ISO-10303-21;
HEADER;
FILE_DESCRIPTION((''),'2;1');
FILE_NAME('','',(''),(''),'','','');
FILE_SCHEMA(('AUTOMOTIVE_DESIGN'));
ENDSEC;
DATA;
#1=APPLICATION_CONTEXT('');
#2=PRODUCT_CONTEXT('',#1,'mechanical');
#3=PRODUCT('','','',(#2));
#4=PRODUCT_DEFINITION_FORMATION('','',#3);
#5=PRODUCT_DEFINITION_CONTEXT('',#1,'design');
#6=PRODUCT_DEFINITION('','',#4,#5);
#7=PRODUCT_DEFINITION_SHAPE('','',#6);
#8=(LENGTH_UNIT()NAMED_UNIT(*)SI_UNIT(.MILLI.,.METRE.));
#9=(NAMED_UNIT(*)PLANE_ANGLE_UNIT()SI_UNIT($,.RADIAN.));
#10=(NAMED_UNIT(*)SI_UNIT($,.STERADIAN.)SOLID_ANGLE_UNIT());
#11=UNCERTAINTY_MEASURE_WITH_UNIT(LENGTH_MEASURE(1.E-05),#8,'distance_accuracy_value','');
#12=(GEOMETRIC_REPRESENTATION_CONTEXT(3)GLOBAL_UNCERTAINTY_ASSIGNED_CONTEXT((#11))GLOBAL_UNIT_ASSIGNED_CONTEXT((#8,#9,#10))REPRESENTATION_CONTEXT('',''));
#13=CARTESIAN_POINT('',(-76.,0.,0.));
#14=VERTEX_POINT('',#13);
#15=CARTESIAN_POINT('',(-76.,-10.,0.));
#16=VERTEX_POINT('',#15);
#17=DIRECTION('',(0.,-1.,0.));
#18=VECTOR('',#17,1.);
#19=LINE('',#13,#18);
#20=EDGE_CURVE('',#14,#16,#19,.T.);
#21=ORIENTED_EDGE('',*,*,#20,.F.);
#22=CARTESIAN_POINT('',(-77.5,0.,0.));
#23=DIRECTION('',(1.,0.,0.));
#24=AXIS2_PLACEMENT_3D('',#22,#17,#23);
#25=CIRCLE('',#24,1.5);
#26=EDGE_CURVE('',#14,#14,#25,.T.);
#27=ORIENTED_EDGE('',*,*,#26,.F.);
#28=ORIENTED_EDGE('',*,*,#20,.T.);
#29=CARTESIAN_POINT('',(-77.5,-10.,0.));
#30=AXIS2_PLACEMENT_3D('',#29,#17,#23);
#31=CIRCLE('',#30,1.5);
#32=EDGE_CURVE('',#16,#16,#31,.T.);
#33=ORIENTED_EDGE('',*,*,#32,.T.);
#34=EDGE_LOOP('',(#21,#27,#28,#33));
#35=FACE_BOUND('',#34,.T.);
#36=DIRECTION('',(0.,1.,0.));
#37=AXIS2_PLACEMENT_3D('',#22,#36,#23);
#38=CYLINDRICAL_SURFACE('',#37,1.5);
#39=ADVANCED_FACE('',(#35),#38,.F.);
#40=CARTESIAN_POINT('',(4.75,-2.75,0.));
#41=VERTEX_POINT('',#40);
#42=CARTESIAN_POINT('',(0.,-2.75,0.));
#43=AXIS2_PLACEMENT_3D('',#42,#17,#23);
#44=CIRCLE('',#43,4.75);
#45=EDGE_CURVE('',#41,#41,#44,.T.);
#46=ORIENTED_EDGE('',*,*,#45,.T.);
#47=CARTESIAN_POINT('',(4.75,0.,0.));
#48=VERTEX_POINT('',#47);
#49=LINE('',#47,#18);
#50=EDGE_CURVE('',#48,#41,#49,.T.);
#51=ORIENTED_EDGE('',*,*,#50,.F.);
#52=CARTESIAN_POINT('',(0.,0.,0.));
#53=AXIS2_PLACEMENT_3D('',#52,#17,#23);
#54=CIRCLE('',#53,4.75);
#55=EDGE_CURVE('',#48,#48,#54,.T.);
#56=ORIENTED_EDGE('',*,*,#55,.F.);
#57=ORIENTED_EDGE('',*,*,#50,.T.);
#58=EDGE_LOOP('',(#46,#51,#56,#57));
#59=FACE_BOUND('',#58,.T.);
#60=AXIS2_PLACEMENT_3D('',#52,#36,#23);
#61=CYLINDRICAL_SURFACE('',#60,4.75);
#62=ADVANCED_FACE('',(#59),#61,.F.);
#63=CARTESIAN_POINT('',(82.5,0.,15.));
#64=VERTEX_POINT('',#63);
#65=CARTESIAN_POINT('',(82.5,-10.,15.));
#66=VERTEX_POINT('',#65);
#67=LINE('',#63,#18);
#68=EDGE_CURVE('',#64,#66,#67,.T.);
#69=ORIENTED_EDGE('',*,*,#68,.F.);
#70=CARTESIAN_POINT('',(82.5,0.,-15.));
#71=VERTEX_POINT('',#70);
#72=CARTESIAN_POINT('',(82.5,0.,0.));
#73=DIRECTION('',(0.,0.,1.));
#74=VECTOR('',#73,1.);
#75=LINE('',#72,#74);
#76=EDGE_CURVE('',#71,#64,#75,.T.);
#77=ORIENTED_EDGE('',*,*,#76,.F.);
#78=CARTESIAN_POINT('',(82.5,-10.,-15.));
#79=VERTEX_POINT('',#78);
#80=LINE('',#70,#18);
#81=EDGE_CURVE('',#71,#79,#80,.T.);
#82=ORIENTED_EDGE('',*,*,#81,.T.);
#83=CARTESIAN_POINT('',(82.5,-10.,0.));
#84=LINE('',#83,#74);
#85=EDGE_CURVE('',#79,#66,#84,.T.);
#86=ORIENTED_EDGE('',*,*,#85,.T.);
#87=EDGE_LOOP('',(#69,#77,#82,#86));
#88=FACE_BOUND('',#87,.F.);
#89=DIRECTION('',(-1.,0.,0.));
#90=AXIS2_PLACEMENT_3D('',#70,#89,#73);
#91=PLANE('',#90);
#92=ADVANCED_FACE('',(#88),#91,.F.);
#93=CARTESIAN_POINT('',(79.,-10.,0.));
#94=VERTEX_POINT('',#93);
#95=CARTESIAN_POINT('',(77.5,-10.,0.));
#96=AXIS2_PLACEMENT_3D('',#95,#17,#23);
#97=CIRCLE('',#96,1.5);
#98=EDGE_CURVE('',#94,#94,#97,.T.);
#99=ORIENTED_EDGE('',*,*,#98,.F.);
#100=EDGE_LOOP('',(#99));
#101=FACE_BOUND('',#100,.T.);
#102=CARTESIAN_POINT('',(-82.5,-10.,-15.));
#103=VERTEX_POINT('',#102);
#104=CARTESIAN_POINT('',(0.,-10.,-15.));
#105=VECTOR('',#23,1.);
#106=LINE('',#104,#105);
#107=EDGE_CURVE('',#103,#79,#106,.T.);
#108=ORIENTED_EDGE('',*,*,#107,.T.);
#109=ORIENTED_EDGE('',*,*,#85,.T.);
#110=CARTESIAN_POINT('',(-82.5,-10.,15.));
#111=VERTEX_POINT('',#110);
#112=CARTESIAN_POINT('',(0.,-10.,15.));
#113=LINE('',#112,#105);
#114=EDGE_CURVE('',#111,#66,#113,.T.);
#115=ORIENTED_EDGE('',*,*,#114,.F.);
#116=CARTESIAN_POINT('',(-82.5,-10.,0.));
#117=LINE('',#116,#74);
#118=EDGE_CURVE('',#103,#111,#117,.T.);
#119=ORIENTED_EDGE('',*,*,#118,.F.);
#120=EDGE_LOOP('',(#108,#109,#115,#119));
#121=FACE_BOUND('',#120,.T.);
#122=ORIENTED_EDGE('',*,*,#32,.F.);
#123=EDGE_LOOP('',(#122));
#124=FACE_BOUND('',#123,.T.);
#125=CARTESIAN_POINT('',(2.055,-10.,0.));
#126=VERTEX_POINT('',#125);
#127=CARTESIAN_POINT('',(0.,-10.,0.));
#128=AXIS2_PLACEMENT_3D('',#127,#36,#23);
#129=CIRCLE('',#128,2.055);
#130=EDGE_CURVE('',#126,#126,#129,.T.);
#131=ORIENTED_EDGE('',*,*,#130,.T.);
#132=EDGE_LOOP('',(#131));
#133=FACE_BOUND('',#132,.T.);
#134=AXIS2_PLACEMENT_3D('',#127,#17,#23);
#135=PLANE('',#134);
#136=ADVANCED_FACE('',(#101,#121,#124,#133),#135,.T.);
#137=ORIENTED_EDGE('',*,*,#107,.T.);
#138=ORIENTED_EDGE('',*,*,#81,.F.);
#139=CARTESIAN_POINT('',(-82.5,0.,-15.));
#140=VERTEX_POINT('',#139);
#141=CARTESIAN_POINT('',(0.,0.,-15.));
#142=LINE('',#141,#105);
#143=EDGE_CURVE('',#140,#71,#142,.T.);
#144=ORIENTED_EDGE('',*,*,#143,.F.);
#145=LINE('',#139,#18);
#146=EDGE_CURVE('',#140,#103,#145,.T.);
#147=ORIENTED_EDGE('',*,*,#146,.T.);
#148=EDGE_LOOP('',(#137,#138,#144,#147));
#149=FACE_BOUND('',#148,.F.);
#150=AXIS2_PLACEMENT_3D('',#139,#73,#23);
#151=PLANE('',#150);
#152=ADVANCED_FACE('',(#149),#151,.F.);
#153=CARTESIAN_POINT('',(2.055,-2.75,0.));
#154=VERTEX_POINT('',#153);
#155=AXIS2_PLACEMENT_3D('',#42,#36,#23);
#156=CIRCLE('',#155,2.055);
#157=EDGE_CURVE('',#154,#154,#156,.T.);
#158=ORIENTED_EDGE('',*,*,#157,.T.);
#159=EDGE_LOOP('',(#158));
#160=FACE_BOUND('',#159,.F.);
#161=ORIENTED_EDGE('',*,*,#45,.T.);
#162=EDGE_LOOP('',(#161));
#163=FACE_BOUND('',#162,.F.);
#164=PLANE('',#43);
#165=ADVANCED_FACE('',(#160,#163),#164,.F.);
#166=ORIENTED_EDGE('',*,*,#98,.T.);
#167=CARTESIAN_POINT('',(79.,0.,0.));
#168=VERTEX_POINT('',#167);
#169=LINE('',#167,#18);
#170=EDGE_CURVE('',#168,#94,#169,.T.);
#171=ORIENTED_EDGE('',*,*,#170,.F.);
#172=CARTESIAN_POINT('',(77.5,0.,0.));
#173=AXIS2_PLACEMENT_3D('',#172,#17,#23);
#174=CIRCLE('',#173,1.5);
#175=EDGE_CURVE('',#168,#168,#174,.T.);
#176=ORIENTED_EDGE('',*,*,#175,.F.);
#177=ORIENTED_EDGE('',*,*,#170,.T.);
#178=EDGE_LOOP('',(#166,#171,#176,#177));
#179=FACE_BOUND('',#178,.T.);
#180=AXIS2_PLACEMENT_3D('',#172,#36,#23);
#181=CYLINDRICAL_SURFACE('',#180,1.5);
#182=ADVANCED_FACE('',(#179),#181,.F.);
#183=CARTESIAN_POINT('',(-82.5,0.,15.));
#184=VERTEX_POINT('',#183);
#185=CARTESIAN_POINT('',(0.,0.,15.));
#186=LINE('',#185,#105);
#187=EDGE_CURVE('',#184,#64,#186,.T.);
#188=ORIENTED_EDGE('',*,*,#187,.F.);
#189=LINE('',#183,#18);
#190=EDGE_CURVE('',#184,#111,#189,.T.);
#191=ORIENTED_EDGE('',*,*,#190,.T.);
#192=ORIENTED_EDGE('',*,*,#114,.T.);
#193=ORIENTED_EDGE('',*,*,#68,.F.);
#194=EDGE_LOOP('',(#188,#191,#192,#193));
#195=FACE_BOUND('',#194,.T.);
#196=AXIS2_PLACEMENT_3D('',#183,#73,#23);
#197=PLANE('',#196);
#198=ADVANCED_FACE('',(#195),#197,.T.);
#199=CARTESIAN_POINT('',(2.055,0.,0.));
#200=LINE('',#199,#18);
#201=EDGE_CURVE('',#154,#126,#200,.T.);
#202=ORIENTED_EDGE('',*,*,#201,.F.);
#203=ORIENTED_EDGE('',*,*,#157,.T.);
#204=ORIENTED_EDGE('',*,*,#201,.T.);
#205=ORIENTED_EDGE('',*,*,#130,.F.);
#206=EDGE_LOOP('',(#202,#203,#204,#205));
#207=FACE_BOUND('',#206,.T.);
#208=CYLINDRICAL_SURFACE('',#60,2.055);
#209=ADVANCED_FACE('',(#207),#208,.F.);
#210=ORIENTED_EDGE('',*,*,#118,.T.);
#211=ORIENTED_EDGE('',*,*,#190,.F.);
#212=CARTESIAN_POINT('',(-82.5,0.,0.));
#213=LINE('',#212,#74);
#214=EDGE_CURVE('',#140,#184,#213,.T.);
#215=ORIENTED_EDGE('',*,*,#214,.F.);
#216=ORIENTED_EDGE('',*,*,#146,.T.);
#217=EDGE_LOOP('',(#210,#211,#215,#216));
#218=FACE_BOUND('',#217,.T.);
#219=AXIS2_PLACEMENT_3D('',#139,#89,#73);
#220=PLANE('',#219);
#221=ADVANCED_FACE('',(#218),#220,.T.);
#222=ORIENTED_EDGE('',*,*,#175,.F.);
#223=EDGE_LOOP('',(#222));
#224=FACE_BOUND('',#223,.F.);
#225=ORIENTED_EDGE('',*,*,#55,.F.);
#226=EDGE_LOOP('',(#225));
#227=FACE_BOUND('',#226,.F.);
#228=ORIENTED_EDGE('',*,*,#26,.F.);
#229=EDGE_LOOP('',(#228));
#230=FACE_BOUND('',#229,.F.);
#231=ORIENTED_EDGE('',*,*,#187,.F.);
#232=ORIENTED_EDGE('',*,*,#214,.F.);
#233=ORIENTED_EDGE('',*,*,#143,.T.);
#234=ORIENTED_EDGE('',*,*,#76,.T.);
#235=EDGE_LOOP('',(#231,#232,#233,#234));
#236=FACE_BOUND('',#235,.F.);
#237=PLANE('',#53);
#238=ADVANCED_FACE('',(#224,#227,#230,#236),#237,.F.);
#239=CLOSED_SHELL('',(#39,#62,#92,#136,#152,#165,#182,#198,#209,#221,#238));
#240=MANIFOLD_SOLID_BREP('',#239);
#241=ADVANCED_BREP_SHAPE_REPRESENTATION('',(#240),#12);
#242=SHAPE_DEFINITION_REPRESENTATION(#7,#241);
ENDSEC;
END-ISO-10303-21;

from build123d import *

# Parameters (mm, degrees)
F0_W     = 165
F0_H     = 30
F0_R     = 1.5
F0_R_2   = 4.75
F0_R_3   = 2.055
F1_DEPTH = 10
F2_DEPTH = 2.75
F3_DEPTH = 25


with BuildPart() as f1:
    # F0 (on Front) → F1 (new body)
    with BuildSketch(Plane.XZ):
        Rectangle(F0_W, F0_H)
        with Locations((-77.5, 0)):
            Circle(F0_R, mode=Mode.SUBTRACT)
        Circle(F0_R_2, mode=Mode.SUBTRACT)
        with Locations((77.5, 0)):
            Circle(F0_R, mode=Mode.SUBTRACT)
        Circle(F0_R_2)
        Circle(F0_R_3, mode=Mode.SUBTRACT)
        Circle(F0_R_3)
    extrude(amount=F1_DEPTH)

    # F0 (on Front) → F2 (cut)
    with BuildSketch(Plane.XZ):
        Circle(F0_R_2)
        Circle(F0_R_3, mode=Mode.SUBTRACT)
        Circle(F0_R_3)
    extrude(amount=F2_DEPTH, mode=Mode.SUBTRACT)

    # F0 (on Front) → F3 (cut)
    with BuildSketch(Plane.XZ):
        Circle(F0_R_3)
    extrude(amount=F3_DEPTH, mode=Mode.SUBTRACT)


solid = f1.part
